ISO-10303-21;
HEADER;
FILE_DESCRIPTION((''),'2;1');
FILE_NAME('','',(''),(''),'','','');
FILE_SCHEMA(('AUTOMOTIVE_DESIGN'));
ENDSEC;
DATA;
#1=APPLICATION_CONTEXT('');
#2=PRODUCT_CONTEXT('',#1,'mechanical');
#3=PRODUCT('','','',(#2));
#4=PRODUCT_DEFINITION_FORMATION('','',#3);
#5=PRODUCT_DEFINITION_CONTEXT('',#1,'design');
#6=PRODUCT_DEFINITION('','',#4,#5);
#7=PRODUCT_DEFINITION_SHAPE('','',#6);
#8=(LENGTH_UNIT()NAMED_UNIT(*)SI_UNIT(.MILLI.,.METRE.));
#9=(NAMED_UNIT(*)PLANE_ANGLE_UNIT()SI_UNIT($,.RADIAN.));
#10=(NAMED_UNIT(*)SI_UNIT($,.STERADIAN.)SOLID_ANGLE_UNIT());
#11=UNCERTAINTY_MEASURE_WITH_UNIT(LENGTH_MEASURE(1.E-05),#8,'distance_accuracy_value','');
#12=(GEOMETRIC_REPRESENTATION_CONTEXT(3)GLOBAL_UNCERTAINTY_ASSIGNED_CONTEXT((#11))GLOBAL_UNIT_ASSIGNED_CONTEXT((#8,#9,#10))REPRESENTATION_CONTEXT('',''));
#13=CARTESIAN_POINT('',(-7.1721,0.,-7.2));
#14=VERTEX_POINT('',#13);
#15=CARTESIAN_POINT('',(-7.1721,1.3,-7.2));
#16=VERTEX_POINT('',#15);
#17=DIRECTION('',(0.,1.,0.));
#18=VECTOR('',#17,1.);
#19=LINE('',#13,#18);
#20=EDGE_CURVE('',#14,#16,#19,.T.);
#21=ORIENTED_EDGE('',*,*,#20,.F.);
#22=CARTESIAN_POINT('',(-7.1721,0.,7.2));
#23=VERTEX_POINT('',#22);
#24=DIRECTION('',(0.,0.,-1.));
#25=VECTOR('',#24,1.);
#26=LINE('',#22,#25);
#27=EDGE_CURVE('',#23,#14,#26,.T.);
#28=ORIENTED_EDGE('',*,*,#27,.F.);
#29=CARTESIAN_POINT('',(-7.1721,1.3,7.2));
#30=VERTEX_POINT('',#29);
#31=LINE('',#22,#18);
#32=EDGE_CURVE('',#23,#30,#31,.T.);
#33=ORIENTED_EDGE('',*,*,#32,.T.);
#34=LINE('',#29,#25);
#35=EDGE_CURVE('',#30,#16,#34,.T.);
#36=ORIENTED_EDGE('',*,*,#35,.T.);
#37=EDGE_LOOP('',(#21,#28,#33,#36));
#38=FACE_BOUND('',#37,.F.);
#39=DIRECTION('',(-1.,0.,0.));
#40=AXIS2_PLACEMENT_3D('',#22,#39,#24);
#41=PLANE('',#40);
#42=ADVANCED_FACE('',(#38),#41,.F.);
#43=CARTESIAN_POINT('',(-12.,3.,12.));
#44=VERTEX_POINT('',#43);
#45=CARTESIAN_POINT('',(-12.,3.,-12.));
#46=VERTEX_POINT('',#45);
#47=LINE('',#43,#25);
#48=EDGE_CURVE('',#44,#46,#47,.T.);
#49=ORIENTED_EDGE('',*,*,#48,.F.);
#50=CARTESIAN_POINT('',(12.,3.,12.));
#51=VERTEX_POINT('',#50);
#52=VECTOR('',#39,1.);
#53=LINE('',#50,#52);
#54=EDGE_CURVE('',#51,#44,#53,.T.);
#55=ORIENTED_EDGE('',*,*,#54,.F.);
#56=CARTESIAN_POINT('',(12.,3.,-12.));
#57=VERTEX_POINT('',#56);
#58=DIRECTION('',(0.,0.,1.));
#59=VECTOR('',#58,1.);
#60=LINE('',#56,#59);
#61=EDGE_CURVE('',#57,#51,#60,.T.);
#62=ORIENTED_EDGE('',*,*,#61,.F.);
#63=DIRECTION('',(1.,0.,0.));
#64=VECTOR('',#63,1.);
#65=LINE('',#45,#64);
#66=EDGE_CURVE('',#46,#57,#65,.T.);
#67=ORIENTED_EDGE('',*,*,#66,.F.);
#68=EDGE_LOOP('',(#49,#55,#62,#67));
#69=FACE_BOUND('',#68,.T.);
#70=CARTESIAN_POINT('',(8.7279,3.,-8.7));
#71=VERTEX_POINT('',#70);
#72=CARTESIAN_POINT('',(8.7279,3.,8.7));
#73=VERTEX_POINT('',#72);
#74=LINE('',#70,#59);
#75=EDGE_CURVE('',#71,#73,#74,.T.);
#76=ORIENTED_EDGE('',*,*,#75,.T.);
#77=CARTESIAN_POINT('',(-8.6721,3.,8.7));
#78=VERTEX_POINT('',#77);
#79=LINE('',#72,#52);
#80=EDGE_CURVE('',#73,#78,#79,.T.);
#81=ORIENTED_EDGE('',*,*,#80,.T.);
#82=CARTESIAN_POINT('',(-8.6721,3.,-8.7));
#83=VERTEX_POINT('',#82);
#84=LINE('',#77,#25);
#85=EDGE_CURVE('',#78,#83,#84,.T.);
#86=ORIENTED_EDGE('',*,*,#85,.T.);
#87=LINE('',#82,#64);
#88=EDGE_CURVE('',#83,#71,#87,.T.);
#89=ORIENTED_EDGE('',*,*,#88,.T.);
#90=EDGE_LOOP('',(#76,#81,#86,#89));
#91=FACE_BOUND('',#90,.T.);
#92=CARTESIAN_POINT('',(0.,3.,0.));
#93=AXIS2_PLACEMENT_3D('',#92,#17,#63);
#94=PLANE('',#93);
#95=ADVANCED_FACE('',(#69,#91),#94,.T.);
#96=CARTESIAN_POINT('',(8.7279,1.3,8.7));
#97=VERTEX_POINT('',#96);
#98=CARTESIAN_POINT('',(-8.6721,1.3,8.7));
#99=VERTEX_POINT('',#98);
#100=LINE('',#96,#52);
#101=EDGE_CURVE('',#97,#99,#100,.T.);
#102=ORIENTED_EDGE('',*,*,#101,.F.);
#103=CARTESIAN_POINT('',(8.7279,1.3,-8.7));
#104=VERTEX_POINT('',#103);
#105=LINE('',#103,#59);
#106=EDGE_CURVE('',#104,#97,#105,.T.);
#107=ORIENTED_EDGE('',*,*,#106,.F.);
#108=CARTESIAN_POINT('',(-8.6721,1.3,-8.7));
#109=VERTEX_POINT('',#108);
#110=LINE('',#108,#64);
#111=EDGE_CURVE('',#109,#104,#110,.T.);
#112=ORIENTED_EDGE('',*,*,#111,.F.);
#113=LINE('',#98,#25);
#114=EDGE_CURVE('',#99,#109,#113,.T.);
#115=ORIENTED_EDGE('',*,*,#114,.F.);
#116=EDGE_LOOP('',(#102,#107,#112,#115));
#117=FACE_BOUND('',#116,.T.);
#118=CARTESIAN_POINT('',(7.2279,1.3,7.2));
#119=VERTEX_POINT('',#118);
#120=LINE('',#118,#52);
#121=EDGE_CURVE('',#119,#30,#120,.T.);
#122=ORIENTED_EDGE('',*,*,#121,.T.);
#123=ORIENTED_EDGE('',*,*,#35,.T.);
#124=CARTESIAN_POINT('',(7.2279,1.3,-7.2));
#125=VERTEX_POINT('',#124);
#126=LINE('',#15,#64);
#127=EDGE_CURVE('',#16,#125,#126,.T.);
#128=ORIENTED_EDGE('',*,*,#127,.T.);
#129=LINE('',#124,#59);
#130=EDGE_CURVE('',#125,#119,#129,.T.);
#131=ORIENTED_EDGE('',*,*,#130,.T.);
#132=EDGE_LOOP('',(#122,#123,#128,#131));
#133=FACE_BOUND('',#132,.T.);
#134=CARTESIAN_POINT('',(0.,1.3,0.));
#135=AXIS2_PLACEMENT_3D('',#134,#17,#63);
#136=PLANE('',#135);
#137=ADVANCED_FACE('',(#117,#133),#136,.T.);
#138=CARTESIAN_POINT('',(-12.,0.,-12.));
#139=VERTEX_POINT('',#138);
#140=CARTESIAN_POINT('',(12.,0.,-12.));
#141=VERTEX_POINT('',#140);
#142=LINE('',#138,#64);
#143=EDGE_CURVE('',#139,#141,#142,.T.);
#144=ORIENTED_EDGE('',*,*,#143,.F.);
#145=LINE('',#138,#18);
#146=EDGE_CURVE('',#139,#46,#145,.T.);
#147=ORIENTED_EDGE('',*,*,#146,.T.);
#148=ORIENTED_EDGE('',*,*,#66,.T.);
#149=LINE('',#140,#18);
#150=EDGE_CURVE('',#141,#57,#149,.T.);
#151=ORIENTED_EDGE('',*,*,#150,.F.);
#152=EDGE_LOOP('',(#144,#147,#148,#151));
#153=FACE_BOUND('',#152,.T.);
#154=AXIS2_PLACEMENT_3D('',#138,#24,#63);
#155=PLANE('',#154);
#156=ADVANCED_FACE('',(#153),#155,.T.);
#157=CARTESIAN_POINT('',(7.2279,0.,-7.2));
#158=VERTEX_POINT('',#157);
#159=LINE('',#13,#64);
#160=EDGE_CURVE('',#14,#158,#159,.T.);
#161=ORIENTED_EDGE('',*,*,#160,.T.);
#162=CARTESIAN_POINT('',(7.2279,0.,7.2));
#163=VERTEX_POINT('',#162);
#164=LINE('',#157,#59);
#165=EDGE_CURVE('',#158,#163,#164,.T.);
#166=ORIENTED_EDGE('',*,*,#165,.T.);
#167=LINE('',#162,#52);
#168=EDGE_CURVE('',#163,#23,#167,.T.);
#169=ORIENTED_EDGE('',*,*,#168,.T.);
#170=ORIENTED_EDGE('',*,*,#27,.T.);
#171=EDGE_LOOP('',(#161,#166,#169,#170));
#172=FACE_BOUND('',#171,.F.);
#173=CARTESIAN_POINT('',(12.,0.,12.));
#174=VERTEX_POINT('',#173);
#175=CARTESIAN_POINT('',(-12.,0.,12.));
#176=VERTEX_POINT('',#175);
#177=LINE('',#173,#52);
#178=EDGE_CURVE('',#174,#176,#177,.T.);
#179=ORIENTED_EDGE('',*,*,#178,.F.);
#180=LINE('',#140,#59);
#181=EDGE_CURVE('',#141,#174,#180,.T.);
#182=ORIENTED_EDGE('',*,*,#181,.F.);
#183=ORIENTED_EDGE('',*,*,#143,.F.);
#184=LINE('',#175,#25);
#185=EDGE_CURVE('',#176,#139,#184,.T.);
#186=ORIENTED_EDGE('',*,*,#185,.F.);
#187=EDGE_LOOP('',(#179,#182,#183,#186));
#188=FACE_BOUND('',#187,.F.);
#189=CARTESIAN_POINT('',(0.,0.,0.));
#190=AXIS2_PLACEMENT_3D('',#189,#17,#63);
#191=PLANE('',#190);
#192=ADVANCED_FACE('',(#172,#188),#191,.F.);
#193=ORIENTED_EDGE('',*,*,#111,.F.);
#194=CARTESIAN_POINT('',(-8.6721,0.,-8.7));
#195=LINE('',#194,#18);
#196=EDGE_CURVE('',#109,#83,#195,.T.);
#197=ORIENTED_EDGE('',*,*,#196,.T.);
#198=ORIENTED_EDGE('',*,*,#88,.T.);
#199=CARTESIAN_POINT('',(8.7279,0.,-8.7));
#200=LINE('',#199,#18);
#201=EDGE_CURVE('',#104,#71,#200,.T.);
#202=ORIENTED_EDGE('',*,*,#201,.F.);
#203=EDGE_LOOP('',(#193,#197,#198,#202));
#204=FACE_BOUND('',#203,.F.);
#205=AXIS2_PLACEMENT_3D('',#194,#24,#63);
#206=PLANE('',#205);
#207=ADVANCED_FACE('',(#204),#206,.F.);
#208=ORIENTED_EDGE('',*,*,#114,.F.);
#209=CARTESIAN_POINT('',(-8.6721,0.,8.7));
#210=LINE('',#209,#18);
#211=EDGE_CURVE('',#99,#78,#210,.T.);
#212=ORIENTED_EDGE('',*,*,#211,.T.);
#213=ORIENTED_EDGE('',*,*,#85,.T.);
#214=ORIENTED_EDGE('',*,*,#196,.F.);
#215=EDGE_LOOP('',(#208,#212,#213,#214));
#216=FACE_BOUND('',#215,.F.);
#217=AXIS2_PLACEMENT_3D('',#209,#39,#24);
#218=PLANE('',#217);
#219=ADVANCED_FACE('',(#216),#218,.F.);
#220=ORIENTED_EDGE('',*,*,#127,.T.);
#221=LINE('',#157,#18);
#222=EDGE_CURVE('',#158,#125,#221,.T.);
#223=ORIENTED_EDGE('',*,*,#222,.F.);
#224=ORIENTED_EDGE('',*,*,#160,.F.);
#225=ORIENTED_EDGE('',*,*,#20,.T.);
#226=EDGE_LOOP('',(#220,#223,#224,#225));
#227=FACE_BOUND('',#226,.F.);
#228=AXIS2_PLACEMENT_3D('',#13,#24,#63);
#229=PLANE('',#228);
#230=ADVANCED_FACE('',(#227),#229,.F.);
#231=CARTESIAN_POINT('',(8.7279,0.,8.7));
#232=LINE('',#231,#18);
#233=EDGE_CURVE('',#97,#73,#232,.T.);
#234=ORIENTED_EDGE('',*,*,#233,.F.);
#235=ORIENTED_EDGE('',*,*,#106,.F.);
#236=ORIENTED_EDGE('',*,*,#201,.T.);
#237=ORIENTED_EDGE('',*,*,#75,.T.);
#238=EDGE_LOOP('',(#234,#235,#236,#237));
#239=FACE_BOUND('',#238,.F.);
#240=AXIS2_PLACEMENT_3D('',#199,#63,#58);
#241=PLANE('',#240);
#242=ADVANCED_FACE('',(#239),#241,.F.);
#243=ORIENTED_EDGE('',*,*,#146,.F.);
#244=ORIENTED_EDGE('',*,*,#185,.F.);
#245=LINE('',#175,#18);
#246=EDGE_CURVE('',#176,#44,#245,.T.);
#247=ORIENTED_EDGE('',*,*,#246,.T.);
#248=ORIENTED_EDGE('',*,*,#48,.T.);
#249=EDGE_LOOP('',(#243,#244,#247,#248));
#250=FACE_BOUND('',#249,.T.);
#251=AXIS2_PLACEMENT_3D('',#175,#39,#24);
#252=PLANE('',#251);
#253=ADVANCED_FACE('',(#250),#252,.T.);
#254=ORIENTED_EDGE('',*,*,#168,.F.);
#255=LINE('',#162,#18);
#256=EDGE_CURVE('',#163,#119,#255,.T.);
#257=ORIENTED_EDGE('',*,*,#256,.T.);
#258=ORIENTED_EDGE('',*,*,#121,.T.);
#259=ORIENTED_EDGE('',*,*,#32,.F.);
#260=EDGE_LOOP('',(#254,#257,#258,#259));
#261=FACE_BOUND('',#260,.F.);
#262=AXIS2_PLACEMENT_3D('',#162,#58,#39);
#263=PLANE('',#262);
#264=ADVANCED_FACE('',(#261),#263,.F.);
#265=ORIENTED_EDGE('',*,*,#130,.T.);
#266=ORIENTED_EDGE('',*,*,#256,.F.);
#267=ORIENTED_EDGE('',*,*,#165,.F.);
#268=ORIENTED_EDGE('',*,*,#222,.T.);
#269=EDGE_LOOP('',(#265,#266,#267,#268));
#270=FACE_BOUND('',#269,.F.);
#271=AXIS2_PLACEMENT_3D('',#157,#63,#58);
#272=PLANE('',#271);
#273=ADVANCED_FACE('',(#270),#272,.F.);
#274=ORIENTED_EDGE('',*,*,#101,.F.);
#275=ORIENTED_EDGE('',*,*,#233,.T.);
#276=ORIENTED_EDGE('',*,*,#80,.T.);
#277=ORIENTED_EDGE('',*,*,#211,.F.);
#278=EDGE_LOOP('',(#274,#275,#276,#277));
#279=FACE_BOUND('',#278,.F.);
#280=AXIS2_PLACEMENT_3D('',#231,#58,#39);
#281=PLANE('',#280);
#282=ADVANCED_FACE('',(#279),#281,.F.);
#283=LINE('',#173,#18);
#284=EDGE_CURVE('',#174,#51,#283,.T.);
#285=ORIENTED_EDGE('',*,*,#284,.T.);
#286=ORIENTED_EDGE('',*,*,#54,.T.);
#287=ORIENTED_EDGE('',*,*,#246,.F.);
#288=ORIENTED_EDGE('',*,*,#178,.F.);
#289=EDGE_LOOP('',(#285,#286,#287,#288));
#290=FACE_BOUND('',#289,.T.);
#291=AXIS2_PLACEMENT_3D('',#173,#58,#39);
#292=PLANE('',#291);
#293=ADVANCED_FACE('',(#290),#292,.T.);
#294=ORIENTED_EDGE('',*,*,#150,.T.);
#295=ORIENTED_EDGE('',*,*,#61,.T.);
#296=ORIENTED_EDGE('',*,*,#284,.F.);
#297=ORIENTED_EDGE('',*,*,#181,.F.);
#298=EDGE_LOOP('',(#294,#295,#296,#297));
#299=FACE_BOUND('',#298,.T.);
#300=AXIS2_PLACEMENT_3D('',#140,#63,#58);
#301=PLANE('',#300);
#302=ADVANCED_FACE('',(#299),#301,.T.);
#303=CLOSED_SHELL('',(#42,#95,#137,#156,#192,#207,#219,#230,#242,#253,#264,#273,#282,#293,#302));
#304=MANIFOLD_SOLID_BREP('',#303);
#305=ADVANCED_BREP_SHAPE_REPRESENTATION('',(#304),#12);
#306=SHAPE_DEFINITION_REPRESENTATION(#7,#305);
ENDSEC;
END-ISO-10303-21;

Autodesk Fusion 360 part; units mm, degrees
sketch "Switch" plane through (0, 0, 0) normal (0, 1, 0) x (1, 0, 0)
  line L0 (-7.1721, 7.2) -> (7.2279, 7.2)
  line L1 (-8.6721, -8.7) -> (-8.6721, 8.7)
  line L2 (7.2279, -7.2) -> (-7.1721, -7.2)
  line L3 (-8.6721, 8.7) -> (8.7279, 8.7)
  line L4 (-8.6721, -8.7) -> (8.7279, 8.7) construction
  line L5 (-7.1721, -7.2) -> (7.2279, 7.2) construction
  line L6 (8.7279, -8.7) -> (-8.6721, -8.7)
  line L7 (-7.1721, -7.2) -> (-7.1721, 7.2)
  line L8 (7.2279, 7.2) -> (7.2279, -7.2)
  line L9 (8.7279, 8.7) -> (8.7279, -8.7)
  line L10 (8.7279, -8.7) -> (-8.6721, 8.7) construction
  line L11 (7.2279, -7.2) -> (-7.1721, 7.2) construction
  line L12 (-12, 12) -> (12, 12)
  line L13 (12, 12) -> (12, -12)
  line L14 (12, -12) -> (-12, -12)
  line L15 (-12, -12) -> (-12, 12)
  line L16 (-12, 12) -> (12, -12) construction
  line L17 (12, 12) -> (-12, -12) construction
  point P0 (0.0279, 0)
  dimension "d1" = 14.4
  dimension "d2" = 14.4
  dimension "d3" = 1.5
  dimension "d4" = 1.5
  dimension "d5" = 1.5
  dimension "d6" = 1.5
  dimension "d7" = 24
  dimension "d8" = 24
extrude "Extrude1" add sketch "Switch" along normal blind 3 contours L12 L13 L14 L15
extrude "Extrude2" add sketch "Switch" along normal blind 1.3 contours L1 L3 L6 L9
